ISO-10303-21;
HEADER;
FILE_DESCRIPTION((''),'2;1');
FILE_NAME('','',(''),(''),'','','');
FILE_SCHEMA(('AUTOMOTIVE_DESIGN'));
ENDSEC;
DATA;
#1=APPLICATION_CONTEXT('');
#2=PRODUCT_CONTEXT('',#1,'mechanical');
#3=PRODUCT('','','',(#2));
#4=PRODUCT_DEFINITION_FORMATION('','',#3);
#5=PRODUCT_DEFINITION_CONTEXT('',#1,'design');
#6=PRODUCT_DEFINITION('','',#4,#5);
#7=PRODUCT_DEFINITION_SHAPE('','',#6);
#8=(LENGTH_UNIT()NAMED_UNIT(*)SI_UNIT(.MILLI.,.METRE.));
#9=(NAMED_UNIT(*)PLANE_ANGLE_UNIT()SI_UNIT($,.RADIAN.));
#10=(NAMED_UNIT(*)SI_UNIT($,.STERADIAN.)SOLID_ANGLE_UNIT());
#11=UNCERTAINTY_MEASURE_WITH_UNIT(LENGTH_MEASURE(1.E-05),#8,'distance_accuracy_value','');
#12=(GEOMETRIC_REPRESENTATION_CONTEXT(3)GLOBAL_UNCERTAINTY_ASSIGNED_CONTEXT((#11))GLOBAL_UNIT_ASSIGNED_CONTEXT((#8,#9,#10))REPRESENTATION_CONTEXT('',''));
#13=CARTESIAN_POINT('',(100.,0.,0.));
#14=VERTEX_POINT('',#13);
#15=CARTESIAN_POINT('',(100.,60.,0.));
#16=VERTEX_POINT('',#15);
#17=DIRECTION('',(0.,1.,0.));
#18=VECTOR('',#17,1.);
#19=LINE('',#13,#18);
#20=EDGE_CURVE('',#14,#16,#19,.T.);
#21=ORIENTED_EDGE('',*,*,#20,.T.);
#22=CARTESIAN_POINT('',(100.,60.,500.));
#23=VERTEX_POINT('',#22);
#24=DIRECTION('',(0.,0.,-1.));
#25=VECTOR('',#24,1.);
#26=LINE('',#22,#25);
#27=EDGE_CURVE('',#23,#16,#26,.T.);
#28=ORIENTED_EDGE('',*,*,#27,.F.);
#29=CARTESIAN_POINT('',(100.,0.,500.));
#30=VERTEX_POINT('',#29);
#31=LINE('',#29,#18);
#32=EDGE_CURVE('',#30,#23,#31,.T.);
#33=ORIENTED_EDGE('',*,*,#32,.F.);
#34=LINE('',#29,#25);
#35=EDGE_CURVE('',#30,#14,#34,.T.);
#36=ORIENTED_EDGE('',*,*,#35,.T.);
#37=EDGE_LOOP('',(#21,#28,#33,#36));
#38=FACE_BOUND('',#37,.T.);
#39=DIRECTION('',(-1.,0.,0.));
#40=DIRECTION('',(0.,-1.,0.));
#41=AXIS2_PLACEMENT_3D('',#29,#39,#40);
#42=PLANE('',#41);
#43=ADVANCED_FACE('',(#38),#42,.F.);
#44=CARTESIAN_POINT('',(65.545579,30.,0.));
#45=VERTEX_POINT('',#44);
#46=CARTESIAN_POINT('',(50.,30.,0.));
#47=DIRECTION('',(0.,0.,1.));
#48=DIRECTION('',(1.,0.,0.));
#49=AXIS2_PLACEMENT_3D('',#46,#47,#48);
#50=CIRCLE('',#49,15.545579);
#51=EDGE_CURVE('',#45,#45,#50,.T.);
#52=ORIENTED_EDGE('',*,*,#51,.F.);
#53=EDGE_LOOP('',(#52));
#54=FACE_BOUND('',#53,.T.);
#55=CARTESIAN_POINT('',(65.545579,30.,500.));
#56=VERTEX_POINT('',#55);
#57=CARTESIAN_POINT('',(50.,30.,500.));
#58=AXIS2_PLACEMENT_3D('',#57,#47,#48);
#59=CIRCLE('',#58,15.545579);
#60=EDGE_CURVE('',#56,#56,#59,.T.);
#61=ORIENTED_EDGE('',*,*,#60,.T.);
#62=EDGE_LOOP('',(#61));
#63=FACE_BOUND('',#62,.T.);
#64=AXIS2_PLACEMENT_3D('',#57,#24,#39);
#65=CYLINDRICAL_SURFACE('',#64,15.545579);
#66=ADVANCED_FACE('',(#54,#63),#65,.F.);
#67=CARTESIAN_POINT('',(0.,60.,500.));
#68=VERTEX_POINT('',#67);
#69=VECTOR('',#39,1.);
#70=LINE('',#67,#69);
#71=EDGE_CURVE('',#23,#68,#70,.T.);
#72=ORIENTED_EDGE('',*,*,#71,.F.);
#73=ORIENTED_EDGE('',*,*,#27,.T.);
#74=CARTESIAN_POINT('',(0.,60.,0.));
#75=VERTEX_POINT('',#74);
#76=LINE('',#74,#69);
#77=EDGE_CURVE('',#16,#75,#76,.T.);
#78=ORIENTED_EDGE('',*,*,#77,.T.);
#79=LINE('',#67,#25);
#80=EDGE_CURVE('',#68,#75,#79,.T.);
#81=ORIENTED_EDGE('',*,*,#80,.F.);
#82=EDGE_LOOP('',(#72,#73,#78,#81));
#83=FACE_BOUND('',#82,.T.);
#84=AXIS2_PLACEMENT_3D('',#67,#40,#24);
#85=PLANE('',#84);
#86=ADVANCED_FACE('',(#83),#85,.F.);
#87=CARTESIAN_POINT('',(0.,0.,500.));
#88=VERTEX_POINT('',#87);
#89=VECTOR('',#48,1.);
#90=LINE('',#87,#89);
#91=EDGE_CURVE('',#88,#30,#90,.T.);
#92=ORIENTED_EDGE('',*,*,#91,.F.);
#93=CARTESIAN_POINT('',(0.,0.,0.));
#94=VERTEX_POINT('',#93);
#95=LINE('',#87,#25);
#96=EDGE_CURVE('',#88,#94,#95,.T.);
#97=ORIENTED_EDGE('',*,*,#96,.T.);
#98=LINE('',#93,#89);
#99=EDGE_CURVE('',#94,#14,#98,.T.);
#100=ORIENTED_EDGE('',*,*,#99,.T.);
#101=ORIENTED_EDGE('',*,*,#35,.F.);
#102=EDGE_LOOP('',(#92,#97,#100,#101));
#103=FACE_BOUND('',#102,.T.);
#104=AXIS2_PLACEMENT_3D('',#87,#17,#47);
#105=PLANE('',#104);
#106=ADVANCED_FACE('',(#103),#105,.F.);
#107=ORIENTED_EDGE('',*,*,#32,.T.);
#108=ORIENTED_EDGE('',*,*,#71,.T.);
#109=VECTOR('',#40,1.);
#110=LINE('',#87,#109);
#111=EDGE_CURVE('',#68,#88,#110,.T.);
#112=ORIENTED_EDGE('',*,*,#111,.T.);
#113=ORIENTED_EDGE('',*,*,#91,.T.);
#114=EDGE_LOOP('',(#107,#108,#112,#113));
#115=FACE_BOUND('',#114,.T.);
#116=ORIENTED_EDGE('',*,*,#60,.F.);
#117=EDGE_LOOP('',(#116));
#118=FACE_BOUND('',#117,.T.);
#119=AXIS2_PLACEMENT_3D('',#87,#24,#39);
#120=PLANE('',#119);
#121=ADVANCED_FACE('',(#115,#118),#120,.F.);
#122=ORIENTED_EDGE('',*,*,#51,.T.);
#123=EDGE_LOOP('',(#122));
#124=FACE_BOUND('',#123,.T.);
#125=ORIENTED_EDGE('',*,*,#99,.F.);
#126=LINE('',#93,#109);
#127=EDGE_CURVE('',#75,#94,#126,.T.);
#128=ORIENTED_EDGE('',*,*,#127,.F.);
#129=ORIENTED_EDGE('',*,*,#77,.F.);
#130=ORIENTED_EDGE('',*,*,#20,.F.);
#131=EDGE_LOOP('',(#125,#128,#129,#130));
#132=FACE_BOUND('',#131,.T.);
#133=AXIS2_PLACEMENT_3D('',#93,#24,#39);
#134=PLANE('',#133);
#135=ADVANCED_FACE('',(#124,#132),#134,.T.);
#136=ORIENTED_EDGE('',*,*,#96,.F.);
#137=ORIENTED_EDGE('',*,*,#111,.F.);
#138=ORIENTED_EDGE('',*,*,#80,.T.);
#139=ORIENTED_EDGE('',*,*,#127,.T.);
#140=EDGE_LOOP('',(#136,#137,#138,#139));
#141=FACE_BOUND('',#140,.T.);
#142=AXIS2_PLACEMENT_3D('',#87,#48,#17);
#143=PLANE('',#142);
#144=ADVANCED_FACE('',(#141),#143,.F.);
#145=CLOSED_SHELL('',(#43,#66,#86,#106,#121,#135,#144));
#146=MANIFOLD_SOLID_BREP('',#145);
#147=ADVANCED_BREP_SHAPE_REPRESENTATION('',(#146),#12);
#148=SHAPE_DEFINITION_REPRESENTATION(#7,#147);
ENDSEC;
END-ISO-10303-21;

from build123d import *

# Parameters (mm, degrees)
SKETCH3_W           = 100
SKETCH3_H           = 60
SKETCH3_R           = 15.545579394
BOSS_EXTRUDE3_DEPTH = 500


with BuildPart() as part:
    # Sketch3 → Boss-Extrude3 (new body)
    with BuildSketch(Plane.XY):
        with Locations((50, 30)):
            Rectangle(SKETCH3_W, SKETCH3_H)
        with Locations((50, 30)):
            Circle(SKETCH3_R, mode=Mode.SUBTRACT)
    extrude(amount=BOSS_EXTRUDE3_DEPTH)


solid = part.part
